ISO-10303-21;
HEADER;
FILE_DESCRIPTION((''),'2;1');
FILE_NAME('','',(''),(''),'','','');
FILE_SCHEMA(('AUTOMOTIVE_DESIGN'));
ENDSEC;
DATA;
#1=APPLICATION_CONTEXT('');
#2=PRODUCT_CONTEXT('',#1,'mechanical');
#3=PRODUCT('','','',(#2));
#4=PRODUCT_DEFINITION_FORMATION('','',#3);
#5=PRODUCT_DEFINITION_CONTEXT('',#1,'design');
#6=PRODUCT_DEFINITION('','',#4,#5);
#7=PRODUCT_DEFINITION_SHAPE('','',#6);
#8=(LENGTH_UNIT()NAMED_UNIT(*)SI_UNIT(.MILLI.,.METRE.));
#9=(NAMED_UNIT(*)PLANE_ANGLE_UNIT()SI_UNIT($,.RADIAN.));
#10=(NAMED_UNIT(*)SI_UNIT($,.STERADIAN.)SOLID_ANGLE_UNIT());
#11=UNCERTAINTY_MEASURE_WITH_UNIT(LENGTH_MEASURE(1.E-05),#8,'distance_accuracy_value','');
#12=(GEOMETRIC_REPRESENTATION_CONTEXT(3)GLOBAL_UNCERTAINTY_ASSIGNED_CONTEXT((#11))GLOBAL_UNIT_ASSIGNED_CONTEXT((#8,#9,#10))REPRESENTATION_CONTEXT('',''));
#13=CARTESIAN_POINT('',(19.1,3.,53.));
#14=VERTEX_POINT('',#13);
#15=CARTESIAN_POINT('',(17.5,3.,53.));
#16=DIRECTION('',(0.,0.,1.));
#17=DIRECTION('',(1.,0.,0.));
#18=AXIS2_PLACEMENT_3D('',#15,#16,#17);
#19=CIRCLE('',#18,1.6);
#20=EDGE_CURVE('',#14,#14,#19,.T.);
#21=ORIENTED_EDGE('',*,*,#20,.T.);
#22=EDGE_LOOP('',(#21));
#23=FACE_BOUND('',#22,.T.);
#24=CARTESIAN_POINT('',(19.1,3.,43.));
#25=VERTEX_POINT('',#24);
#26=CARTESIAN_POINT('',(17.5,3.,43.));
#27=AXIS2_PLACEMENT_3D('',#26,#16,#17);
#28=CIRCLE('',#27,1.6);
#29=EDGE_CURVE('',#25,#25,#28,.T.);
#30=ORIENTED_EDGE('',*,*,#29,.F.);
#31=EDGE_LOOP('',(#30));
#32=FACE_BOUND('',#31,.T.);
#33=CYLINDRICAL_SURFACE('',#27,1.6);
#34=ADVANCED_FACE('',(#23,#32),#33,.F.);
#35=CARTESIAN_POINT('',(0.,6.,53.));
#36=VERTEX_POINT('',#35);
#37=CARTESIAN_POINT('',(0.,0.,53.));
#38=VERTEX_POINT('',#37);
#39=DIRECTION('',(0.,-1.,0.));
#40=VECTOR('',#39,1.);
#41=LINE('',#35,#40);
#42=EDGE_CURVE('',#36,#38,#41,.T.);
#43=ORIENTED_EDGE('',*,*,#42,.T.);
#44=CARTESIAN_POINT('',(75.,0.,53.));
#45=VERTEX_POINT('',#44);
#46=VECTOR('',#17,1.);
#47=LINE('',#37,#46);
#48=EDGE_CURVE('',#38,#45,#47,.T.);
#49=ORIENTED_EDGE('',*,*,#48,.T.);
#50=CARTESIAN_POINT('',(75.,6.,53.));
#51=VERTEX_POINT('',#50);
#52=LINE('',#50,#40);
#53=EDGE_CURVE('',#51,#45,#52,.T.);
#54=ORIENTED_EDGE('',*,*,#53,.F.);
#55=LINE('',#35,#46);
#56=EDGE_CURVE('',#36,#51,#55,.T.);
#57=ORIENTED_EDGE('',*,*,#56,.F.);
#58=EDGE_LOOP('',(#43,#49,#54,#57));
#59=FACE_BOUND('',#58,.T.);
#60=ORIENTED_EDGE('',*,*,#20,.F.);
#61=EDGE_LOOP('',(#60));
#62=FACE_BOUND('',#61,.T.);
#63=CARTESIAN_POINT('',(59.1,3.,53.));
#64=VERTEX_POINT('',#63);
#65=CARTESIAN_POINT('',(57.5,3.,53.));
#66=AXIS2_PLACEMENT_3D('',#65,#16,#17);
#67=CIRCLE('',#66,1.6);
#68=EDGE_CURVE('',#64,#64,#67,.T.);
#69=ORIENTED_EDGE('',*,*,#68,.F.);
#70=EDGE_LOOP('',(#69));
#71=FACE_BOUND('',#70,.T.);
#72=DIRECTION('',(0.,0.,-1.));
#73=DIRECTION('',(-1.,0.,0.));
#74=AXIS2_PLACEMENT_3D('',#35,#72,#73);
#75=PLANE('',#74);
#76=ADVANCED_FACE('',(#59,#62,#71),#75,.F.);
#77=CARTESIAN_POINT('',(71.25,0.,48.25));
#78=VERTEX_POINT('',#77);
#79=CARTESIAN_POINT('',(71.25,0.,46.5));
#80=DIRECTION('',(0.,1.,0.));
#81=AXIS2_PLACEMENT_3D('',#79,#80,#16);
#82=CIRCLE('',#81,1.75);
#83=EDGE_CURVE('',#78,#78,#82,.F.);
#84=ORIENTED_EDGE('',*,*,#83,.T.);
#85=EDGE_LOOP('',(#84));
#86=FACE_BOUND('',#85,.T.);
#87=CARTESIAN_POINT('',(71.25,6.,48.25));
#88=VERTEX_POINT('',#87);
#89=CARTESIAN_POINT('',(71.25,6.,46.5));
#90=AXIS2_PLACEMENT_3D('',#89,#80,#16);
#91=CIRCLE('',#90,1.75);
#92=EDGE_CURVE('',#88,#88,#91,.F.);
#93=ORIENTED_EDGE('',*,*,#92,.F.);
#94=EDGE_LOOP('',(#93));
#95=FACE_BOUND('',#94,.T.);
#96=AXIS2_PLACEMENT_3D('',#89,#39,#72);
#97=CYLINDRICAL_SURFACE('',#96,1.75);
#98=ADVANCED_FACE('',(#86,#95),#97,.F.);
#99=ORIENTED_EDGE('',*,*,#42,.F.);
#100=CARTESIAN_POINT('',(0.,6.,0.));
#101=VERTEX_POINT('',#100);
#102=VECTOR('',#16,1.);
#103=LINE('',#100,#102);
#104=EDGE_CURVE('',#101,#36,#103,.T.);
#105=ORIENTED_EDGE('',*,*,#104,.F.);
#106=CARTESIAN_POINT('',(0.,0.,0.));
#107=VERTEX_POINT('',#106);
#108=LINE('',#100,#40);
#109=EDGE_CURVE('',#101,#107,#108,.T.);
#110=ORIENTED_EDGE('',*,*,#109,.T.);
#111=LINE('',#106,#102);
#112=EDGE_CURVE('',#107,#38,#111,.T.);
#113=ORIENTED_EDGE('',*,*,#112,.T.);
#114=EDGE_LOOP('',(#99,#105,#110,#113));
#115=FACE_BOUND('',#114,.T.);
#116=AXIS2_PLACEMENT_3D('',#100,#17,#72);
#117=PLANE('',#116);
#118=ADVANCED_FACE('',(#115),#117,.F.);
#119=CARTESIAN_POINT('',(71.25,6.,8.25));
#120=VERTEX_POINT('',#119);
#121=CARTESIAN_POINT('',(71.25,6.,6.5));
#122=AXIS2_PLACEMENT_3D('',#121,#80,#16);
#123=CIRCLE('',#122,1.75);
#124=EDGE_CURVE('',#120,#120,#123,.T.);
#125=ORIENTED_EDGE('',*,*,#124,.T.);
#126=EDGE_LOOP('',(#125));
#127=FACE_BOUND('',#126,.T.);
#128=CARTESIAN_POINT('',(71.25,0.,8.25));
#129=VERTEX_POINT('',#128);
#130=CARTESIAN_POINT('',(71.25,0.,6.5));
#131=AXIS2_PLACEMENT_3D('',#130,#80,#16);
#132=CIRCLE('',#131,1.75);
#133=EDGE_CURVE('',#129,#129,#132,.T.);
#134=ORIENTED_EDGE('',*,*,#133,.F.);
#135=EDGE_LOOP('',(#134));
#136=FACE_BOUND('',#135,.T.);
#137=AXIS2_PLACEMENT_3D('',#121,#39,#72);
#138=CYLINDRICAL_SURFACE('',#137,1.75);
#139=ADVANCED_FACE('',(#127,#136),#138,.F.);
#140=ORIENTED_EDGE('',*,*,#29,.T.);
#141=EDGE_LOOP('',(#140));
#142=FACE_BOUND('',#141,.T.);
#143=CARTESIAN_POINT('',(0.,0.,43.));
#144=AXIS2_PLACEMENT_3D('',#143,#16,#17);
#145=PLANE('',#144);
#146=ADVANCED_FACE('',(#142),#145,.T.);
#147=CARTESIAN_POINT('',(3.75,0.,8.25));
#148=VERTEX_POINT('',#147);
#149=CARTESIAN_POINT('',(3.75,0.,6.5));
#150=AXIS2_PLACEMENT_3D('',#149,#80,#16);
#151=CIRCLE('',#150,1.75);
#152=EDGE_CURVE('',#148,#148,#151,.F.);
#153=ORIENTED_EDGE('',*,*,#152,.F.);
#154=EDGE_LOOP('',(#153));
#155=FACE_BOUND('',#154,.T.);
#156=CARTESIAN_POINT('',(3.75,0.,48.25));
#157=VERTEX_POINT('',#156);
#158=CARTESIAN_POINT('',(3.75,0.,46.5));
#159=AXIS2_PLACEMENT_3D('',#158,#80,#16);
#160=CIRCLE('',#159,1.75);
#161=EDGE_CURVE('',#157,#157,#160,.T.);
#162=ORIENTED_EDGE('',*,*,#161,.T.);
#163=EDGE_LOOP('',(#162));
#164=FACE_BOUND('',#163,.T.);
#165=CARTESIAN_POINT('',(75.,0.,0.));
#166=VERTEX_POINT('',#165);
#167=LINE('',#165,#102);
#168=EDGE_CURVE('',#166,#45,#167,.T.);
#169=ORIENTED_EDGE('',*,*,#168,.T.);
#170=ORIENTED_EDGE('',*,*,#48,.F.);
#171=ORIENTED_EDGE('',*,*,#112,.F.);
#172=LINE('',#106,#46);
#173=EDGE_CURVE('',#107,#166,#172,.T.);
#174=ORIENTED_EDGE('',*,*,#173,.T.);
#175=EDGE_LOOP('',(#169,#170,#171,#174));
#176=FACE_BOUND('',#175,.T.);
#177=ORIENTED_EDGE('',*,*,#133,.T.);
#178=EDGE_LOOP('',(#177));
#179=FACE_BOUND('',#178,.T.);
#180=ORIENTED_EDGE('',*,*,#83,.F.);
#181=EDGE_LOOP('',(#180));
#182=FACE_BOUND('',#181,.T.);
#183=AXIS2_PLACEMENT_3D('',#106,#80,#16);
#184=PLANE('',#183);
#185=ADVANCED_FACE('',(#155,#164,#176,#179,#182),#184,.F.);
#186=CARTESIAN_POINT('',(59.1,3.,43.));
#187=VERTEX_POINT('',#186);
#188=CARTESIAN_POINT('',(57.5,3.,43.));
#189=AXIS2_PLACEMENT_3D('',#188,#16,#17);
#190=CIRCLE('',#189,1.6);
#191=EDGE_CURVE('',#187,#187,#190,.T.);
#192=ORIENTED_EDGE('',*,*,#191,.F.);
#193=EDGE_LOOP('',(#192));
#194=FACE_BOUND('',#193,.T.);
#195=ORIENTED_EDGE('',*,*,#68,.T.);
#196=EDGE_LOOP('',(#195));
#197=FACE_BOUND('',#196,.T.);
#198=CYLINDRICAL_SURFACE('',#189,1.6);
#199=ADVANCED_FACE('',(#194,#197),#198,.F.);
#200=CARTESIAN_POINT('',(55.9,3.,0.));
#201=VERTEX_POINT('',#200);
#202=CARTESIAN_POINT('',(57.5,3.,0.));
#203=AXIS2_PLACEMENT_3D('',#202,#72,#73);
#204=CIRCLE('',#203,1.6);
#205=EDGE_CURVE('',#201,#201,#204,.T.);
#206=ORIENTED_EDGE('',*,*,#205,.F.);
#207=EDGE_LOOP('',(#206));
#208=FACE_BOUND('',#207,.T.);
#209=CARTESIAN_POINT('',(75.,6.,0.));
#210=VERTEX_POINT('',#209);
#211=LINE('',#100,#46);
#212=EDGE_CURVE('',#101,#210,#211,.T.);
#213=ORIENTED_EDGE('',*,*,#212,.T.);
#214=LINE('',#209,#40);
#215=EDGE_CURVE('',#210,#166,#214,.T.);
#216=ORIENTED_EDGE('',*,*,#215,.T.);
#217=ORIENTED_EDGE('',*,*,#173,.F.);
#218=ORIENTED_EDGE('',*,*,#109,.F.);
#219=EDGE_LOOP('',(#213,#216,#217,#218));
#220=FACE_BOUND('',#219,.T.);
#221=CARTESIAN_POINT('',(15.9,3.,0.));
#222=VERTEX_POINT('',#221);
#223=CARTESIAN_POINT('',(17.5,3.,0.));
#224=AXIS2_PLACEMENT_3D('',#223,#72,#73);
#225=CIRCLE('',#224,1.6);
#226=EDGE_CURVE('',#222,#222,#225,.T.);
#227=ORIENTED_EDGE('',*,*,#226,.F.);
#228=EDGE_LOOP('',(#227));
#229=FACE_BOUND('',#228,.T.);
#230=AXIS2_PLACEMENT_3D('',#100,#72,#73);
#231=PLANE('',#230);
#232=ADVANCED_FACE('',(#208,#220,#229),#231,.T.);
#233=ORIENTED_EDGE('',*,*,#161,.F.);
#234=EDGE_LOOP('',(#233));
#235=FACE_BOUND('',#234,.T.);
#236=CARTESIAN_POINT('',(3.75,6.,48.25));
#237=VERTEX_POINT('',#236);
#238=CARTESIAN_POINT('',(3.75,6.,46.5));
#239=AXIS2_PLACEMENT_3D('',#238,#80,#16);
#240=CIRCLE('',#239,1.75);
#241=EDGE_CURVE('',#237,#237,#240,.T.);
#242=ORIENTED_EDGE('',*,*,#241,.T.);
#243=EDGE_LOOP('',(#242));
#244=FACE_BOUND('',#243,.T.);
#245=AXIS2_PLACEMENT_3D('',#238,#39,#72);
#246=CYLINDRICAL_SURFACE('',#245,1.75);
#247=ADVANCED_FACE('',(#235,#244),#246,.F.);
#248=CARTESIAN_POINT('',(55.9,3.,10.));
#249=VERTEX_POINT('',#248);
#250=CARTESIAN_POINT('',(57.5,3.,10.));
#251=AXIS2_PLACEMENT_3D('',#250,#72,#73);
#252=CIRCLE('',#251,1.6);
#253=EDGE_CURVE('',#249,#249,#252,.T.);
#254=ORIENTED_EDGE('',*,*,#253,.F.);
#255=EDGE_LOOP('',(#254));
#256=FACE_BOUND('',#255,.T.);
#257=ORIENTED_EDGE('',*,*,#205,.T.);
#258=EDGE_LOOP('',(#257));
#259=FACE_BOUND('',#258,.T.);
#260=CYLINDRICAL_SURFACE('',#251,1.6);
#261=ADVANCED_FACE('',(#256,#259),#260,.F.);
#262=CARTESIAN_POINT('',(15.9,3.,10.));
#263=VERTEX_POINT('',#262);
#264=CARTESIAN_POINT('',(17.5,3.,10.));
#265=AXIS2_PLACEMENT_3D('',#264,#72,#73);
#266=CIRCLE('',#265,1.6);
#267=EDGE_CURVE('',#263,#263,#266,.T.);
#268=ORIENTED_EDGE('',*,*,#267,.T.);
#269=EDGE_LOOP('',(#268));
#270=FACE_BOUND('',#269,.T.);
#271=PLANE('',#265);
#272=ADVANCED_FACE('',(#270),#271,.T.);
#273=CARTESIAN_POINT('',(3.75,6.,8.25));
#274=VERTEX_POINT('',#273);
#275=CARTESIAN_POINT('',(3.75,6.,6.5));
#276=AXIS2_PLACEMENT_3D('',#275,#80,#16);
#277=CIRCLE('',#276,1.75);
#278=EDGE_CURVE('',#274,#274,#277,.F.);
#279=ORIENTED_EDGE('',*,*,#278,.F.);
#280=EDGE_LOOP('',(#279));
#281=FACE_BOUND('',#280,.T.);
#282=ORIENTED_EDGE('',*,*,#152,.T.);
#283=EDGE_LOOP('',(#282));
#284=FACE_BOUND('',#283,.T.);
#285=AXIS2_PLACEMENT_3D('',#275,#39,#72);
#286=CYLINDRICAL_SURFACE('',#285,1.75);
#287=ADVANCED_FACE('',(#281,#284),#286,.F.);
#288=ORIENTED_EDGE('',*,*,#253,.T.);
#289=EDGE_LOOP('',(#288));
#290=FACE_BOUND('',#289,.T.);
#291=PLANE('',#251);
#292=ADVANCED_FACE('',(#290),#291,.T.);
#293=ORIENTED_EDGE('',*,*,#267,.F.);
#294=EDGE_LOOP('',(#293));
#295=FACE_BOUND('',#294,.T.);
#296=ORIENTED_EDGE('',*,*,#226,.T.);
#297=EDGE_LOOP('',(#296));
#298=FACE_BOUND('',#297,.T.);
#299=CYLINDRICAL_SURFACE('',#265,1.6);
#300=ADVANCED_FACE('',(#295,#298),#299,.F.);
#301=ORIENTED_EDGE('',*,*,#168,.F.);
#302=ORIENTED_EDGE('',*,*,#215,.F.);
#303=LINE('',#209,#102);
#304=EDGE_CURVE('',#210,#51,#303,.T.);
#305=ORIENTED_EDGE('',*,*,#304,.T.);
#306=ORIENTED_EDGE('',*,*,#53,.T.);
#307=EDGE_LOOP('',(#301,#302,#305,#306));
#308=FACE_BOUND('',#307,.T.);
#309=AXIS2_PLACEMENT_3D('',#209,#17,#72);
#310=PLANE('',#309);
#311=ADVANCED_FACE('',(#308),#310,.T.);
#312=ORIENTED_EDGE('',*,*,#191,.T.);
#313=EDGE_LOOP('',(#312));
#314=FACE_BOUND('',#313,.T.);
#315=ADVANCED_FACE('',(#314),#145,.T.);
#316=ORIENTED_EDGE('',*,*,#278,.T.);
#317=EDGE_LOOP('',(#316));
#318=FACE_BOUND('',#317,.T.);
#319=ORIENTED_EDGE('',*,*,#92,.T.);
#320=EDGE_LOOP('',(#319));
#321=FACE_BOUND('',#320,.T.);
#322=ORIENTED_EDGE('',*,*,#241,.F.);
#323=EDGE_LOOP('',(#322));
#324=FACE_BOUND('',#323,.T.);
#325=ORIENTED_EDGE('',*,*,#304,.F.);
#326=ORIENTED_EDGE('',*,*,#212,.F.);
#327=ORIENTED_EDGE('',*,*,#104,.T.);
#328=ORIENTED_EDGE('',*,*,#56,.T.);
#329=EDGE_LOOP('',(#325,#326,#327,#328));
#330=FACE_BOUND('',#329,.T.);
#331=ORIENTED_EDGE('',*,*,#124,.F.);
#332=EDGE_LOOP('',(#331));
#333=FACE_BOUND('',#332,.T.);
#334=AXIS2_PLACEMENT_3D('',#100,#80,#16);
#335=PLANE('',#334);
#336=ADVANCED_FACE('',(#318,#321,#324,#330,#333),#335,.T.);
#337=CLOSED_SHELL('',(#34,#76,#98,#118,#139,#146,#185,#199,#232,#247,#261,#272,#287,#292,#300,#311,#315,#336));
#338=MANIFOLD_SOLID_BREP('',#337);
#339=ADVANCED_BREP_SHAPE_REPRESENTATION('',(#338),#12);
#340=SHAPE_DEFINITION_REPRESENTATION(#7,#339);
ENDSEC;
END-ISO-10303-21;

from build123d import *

# Parameters (mm, degrees)
SKETCH1_W           = 75
SKETCH1_H           = 53
SKETCH1_R           = 1.75
BOSS_EXTRUDE8_DEPTH = 6
SKETCH8_R           = 1.6
CUT_EXTRUDE1_DEPTH  = 10
CUT_EXTRUDE2_START  = -43
SKETCH8_3_R         = 1.6
CUT_EXTRUDE2_DEPTH  = 10


with BuildPart() as part:
    # Sketch1 → Boss-Extrude8 (new body)
    with BuildSketch(Plane(origin=(0, 0, 0), x_dir=(1, 0, 0), z_dir=(0, 1, 0))):
        with Locations((37.5, -26.5)):
            Rectangle(SKETCH1_W, SKETCH1_H)
        with Locations(Location((71.25, -6.5, 0), (0, 0, 270))):
            Circle(SKETCH1_R, mode=Mode.SUBTRACT)
        with Locations(Location((3.75, -6.5, 0), (0, 0, 270))):
            Circle(SKETCH1_R, mode=Mode.SUBTRACT)
        with Locations(Location((71.25, -46.5, 0), (0, 0, 270))):
            Circle(SKETCH1_R, mode=Mode.SUBTRACT)
        with Locations(Location((3.75, -46.5, 0), (0, 0, 270))):
            Circle(SKETCH1_R, mode=Mode.SUBTRACT)
    extrude(amount=BOSS_EXTRUDE8_DEPTH)

    # Sketch8 → Cut-Extrude1 (cut)
    with BuildSketch(Plane.XY.offset(53)):
        with Locations((17.5, 3)):
            Circle(SKETCH8_R)
        with Locations((57.5, 3)):
            Circle(SKETCH8_R)
    extrude(amount=-CUT_EXTRUDE1_DEPTH, mode=Mode.SUBTRACT)

    # Sketch8<3> → Cut-Extrude2 (cut)
    with BuildSketch(Plane.XY.offset(53).offset(CUT_EXTRUDE2_START)):
        with Locations((17.5, 3)):
            Circle(SKETCH8_3_R)
        with Locations((57.5, 3)):
            Circle(SKETCH8_3_R)
    extrude(amount=-CUT_EXTRUDE2_DEPTH, mode=Mode.SUBTRACT)


solid = part.part
